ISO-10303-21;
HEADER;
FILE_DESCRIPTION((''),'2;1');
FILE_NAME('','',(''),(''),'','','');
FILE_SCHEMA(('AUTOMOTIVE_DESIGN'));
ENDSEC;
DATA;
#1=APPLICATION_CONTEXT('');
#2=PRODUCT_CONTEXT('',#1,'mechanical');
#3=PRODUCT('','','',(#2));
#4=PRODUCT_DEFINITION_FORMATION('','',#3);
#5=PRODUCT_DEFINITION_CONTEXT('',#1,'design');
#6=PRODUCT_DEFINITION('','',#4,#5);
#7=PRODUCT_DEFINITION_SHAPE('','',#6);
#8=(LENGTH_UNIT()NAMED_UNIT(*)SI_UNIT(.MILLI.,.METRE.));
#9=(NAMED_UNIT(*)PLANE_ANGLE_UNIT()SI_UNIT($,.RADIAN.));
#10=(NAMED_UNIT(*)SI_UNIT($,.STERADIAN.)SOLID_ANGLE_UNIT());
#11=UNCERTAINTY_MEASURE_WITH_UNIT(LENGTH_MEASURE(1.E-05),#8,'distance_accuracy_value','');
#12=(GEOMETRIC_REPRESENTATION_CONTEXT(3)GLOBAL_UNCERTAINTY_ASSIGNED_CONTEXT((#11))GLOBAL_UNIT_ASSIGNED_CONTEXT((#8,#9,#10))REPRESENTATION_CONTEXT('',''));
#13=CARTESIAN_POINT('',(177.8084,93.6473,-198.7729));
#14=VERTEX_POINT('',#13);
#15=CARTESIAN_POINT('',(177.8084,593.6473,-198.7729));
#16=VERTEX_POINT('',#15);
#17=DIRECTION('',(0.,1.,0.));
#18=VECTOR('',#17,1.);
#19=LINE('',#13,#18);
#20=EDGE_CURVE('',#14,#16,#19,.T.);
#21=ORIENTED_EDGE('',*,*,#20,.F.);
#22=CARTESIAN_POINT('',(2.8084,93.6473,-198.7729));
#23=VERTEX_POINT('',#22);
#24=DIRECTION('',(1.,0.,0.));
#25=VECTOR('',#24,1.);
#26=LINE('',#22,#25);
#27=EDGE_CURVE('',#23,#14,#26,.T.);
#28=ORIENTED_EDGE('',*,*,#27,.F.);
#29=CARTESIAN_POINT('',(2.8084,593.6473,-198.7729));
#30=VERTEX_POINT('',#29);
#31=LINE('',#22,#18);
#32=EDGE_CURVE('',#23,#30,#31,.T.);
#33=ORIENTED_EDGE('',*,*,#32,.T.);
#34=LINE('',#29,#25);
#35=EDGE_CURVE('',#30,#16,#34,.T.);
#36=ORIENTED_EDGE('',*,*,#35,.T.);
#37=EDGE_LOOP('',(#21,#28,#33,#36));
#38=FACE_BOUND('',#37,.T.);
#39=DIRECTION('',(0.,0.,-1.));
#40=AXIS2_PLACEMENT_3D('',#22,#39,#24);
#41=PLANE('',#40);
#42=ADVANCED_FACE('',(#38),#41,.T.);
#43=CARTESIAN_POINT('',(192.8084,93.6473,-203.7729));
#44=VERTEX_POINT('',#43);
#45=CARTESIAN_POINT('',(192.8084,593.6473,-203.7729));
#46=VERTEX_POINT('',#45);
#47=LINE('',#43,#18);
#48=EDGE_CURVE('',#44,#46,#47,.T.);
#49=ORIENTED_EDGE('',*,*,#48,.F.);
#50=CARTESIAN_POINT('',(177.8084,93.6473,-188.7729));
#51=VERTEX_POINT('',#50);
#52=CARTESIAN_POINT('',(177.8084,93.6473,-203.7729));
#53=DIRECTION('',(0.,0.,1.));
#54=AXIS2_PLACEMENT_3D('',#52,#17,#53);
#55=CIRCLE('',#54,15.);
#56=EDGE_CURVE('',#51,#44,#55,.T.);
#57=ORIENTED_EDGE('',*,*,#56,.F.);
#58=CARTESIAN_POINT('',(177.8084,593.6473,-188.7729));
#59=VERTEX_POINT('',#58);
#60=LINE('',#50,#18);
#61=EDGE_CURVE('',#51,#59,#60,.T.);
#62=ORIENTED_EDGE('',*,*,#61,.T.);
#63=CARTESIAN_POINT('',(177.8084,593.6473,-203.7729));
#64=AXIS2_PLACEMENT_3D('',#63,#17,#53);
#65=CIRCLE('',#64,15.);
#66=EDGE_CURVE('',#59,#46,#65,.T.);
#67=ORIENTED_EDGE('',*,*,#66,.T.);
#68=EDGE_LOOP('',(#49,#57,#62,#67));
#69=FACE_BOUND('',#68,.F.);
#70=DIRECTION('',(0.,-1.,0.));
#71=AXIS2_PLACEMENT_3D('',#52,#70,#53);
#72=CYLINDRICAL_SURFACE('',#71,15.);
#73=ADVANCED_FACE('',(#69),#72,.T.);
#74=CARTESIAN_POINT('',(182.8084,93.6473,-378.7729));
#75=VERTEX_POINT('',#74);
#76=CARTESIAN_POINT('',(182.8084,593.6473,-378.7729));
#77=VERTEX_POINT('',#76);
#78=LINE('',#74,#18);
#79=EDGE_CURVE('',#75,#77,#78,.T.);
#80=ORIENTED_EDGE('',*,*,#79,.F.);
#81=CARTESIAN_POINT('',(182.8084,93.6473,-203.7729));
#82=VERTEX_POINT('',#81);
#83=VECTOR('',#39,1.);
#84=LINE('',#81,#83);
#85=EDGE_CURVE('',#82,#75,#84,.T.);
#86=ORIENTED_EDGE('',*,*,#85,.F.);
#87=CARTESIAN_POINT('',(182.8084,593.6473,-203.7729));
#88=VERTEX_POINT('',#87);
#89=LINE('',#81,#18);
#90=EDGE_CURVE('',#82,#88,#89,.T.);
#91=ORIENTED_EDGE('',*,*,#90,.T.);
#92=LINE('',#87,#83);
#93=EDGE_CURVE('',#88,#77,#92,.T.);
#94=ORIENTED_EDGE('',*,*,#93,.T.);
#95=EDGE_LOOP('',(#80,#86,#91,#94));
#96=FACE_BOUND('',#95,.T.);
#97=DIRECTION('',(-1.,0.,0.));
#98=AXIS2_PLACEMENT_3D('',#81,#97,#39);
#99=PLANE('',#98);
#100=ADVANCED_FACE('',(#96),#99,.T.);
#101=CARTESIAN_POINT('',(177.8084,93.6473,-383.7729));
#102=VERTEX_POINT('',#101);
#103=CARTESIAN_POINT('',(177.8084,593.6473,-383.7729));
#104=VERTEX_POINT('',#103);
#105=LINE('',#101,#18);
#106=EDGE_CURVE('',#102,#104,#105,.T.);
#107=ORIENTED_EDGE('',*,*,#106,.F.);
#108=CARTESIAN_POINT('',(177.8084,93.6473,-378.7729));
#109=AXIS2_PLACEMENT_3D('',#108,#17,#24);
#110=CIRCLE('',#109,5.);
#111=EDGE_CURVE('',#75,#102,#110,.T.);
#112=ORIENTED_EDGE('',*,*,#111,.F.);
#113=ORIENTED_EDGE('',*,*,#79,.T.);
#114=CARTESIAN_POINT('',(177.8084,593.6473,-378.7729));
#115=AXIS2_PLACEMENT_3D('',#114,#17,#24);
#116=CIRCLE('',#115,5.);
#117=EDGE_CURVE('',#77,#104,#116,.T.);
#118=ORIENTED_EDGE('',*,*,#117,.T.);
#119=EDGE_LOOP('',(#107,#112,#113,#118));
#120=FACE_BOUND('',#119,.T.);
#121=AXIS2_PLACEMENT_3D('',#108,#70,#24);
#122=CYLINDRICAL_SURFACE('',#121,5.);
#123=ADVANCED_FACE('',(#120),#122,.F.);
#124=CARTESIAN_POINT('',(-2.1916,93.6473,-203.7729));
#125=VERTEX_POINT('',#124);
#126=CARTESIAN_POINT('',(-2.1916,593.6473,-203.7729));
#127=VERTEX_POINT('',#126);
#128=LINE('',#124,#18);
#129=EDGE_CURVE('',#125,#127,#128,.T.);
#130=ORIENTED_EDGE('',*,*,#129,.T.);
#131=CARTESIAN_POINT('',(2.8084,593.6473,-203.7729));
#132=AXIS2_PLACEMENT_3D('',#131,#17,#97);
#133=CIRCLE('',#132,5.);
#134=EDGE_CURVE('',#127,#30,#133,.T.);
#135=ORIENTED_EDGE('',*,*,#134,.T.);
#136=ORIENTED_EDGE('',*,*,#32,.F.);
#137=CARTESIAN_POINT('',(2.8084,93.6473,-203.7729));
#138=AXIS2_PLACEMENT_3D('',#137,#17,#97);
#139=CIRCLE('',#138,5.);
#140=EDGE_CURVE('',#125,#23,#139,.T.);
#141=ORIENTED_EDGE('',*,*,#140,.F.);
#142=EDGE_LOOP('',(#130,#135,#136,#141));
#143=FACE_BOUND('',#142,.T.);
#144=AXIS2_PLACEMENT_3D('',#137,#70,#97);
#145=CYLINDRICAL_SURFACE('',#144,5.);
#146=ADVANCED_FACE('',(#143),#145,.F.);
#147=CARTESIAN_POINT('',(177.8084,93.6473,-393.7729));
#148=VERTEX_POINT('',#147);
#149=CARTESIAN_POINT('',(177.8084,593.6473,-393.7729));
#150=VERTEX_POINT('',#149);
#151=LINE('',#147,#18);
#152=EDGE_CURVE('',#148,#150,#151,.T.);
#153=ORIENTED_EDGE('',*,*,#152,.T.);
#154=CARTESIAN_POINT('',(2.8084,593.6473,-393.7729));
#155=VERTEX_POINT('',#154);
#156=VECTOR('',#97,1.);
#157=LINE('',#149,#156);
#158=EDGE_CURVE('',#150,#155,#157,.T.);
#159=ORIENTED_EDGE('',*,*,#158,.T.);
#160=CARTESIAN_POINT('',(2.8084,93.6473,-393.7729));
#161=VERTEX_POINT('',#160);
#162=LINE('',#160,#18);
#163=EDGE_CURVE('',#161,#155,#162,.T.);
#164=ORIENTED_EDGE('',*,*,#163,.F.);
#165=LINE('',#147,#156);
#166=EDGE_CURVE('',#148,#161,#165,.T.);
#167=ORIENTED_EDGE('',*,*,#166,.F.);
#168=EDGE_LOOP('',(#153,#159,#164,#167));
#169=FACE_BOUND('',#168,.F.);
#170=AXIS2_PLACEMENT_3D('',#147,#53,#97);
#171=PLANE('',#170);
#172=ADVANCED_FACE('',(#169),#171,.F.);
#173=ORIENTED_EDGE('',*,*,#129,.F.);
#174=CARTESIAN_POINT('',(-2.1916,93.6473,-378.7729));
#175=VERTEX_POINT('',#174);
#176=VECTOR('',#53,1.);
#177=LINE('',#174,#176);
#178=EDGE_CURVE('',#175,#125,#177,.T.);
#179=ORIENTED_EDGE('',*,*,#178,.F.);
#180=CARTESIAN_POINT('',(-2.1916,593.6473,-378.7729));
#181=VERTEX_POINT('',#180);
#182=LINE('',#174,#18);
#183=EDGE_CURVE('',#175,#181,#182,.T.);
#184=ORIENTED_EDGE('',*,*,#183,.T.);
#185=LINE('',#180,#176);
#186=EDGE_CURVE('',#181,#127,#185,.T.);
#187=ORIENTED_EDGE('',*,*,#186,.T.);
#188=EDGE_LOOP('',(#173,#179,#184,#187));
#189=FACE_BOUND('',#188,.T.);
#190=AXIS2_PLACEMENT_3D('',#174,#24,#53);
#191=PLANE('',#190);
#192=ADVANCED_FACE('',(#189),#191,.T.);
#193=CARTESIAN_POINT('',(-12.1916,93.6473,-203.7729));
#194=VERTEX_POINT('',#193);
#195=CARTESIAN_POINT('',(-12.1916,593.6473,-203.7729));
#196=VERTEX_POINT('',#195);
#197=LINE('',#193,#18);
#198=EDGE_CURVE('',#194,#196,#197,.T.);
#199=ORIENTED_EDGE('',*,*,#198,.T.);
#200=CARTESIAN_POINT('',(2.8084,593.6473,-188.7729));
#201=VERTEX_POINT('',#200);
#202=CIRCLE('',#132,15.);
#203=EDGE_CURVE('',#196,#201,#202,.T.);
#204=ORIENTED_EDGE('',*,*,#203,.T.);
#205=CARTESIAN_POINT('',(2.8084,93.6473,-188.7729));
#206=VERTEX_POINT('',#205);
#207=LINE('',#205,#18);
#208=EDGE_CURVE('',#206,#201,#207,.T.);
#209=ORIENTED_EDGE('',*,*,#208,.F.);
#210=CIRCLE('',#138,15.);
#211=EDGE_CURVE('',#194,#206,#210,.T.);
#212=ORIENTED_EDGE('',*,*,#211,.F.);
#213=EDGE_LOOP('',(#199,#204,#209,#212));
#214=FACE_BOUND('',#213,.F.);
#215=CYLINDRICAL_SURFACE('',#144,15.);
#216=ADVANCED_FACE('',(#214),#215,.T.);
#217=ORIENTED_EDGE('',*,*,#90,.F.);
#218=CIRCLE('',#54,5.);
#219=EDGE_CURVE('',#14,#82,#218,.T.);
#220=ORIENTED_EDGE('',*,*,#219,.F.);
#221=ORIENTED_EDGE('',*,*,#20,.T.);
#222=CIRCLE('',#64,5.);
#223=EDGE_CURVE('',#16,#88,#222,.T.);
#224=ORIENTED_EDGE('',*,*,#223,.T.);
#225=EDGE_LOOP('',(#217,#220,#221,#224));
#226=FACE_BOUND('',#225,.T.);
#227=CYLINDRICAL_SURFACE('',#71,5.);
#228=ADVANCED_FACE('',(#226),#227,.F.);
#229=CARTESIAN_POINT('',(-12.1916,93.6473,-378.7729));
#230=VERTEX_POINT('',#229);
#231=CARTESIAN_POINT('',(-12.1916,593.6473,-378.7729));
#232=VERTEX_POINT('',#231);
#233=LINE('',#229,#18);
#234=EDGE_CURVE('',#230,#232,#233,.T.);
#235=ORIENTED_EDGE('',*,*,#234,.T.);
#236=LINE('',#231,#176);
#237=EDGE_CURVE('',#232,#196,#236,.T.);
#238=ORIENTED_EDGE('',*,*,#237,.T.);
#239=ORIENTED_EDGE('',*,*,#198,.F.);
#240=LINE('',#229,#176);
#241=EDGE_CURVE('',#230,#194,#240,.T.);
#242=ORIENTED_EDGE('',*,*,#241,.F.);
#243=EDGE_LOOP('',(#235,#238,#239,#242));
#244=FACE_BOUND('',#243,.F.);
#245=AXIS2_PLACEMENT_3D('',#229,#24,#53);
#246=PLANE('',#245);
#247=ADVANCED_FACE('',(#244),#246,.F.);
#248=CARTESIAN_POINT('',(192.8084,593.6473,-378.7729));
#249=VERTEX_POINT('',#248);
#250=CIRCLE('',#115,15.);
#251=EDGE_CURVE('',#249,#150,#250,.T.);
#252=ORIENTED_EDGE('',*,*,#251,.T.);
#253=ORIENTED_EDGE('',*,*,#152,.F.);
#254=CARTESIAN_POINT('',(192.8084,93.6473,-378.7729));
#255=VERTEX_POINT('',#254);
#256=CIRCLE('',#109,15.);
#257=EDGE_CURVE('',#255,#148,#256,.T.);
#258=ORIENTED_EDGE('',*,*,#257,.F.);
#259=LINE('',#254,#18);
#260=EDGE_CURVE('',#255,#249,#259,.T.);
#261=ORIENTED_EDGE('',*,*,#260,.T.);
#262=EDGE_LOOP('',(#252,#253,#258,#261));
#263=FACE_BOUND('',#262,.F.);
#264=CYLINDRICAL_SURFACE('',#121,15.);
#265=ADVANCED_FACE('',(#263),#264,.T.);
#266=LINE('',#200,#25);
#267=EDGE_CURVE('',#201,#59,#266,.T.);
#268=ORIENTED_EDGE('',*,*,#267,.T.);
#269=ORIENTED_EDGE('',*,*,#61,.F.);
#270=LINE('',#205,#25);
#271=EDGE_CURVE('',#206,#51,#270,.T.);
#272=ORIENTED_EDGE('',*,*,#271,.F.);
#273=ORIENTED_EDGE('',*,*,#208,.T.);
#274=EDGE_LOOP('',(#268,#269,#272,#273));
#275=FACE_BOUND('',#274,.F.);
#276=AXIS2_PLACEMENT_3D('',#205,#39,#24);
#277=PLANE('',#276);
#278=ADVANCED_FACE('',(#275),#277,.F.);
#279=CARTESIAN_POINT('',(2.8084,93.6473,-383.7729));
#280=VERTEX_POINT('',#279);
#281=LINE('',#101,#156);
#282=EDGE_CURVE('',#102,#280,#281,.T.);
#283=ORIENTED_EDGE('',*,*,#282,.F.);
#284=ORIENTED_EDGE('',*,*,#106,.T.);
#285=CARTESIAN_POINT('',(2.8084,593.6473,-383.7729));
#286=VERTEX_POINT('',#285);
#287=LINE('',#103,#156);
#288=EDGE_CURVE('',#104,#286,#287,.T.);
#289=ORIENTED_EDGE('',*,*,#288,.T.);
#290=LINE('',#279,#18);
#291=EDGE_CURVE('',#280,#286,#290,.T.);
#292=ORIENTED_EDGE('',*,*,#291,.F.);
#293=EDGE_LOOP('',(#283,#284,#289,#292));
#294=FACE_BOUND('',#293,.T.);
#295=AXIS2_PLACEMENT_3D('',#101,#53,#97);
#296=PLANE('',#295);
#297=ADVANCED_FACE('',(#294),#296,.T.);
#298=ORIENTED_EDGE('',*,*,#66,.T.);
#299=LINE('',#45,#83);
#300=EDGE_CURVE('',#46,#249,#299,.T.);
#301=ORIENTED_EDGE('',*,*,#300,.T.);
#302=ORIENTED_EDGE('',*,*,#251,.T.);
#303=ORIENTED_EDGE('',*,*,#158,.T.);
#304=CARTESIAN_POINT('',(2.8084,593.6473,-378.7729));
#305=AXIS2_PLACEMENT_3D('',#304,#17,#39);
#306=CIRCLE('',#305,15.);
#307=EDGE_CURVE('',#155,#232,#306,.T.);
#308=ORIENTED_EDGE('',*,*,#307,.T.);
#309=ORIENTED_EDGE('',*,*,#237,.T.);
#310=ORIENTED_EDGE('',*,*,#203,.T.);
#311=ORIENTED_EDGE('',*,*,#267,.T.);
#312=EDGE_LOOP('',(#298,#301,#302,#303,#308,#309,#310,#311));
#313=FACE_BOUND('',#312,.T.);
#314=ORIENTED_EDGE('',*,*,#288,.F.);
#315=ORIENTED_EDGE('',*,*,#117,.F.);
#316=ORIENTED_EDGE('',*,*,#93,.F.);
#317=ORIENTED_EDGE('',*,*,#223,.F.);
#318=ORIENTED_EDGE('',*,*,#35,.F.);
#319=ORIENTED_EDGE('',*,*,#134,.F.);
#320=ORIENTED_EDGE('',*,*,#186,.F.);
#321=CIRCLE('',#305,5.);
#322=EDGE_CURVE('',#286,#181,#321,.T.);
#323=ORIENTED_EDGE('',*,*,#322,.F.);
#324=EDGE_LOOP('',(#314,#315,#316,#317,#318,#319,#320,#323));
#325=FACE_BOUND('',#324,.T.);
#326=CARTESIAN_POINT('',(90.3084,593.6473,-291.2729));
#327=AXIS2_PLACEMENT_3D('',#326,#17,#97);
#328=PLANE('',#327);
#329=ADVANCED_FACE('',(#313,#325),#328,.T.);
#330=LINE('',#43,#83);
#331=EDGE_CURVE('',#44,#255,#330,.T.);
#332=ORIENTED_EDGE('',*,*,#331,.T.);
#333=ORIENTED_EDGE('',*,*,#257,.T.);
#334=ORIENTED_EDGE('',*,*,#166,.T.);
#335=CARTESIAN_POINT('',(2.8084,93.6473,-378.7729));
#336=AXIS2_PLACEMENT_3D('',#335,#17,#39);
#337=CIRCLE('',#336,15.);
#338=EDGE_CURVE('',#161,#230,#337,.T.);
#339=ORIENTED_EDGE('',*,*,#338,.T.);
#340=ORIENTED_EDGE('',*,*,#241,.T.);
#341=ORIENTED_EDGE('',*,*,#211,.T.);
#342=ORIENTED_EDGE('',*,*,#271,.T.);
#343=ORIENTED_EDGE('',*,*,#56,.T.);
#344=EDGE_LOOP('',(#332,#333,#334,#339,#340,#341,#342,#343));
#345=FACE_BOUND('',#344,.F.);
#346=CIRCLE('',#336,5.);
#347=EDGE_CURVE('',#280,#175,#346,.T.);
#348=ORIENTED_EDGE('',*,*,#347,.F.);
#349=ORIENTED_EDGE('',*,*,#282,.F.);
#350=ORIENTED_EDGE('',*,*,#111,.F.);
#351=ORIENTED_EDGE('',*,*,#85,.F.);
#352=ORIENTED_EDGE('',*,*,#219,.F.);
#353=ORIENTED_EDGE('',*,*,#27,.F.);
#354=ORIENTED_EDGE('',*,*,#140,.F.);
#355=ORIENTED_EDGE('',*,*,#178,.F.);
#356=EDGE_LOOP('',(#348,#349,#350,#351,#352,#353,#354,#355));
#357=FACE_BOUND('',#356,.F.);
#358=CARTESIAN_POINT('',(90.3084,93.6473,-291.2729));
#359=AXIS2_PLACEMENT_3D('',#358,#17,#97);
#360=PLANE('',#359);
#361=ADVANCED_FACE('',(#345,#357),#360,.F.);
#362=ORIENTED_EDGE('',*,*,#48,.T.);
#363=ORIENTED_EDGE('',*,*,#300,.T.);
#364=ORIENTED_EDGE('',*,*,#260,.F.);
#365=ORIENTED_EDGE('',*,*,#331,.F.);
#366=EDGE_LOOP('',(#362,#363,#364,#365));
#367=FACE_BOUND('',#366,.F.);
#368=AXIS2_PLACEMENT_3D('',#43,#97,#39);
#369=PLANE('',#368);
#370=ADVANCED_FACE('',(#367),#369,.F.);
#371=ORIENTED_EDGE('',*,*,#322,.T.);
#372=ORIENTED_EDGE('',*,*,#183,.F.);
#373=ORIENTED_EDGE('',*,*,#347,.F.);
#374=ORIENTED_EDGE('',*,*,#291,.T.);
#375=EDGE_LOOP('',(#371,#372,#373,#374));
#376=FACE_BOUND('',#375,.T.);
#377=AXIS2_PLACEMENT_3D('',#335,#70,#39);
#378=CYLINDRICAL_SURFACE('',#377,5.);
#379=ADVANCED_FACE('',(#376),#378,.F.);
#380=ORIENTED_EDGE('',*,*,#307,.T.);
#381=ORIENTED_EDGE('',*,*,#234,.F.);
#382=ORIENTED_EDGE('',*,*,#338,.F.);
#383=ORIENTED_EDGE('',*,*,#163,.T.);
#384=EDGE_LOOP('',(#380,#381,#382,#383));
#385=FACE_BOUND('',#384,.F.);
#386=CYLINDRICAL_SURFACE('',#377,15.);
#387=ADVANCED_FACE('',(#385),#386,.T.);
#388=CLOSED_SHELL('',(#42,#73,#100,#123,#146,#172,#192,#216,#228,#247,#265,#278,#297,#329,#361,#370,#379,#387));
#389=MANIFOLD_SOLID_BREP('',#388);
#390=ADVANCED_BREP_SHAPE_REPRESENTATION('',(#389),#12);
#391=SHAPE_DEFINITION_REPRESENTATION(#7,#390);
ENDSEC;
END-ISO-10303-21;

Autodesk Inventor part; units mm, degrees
ref_plane "YZ Plane" through (0, 0, 0) normal (1, 0, 0) x (0, 1, 0)
ref_plane "XZ Plane" through (0, 0, 0) normal (0, 1, 0) x (-1, 0, 0)
ref_plane "XY Plane" through (0, 0, 0) normal (0, 0, 1) x (1, 0, 0)
ref_plane "Work Plane1" through (90.3084, 93.6473, -291.2729) normal (0, 1, 0) x (-1, 0, 0)
sketch "Sketch1" plane through (90.3084, 93.6473, -291.2729) normal (0, 1, 0) x (-1, 0, 0)
  line L0 (87.5, 102.5) -> (-87.5, 102.5)
  line L1 (-102.5, 87.5) -> (-102.5, -87.5)
  line L2 (-87.5, -102.5) -> (87.5, -102.5)
  line L3 (102.5, -87.5) -> (102.5, 87.5)
  line L4 (102.5, 102.5) -> (-102.5, -102.5) construction
  line L5 (-102.5, 102.5) -> (102.5, -102.5) construction
  line L6 (87.5, 92.5) -> (-87.5, 92.5)
  line L7 (-92.5, 87.5) -> (-92.5, -87.5)
  line L8 (-87.5, -92.5) -> (87.5, -92.5)
  line L9 (92.5, -87.5) -> (92.5, 87.5)
  line L10 (92.5, 92.5) -> (-92.5, -92.5) construction
  line L11 (-92.5, 92.5) -> (92.5, -92.5) construction
  arc A0 (102.5, 87.5) -> (87.5, 102.5) centre (87.5, 87.5) ccw
  arc A1 (-87.5, 102.5) -> (-102.5, 87.5) centre (-87.5, 87.5) ccw
  arc A2 (-102.5, -87.5) -> (-87.5, -102.5) centre (-87.5, -87.5) ccw
  arc A3 (87.5, -102.5) -> (102.5, -87.5) centre (87.5, -87.5) ccw
  arc A4 (92.5, 87.5) -> (87.5, 92.5) centre (87.5, 87.5) ccw
  arc A5 (87.5, -92.5) -> (92.5, -87.5) centre (87.5, -87.5) ccw
  arc A6 (-92.5, -87.5) -> (-87.5, -92.5) centre (-87.5, -87.5) ccw
  arc A7 (-87.5, 92.5) -> (-92.5, 87.5) centre (-87.5, 87.5) ccw
  arc A8 (25, -173.2051) -> (173.2051, -25) centre (0, 0) ccw projected
  line L12 (25, -135) -> (25, -173.2051) projected
  point P0 (90.3084, 291.2729)
  dimension "d0" = 205
  dimension "d1" = 205
  dimension "d2" = 10
  dimension "d3" = 15
  dimension "d4" = 5
extrude "Extrusion1" add sketch "Sketch1" along normal blind 500
properties part number "Central" material "Steel"
